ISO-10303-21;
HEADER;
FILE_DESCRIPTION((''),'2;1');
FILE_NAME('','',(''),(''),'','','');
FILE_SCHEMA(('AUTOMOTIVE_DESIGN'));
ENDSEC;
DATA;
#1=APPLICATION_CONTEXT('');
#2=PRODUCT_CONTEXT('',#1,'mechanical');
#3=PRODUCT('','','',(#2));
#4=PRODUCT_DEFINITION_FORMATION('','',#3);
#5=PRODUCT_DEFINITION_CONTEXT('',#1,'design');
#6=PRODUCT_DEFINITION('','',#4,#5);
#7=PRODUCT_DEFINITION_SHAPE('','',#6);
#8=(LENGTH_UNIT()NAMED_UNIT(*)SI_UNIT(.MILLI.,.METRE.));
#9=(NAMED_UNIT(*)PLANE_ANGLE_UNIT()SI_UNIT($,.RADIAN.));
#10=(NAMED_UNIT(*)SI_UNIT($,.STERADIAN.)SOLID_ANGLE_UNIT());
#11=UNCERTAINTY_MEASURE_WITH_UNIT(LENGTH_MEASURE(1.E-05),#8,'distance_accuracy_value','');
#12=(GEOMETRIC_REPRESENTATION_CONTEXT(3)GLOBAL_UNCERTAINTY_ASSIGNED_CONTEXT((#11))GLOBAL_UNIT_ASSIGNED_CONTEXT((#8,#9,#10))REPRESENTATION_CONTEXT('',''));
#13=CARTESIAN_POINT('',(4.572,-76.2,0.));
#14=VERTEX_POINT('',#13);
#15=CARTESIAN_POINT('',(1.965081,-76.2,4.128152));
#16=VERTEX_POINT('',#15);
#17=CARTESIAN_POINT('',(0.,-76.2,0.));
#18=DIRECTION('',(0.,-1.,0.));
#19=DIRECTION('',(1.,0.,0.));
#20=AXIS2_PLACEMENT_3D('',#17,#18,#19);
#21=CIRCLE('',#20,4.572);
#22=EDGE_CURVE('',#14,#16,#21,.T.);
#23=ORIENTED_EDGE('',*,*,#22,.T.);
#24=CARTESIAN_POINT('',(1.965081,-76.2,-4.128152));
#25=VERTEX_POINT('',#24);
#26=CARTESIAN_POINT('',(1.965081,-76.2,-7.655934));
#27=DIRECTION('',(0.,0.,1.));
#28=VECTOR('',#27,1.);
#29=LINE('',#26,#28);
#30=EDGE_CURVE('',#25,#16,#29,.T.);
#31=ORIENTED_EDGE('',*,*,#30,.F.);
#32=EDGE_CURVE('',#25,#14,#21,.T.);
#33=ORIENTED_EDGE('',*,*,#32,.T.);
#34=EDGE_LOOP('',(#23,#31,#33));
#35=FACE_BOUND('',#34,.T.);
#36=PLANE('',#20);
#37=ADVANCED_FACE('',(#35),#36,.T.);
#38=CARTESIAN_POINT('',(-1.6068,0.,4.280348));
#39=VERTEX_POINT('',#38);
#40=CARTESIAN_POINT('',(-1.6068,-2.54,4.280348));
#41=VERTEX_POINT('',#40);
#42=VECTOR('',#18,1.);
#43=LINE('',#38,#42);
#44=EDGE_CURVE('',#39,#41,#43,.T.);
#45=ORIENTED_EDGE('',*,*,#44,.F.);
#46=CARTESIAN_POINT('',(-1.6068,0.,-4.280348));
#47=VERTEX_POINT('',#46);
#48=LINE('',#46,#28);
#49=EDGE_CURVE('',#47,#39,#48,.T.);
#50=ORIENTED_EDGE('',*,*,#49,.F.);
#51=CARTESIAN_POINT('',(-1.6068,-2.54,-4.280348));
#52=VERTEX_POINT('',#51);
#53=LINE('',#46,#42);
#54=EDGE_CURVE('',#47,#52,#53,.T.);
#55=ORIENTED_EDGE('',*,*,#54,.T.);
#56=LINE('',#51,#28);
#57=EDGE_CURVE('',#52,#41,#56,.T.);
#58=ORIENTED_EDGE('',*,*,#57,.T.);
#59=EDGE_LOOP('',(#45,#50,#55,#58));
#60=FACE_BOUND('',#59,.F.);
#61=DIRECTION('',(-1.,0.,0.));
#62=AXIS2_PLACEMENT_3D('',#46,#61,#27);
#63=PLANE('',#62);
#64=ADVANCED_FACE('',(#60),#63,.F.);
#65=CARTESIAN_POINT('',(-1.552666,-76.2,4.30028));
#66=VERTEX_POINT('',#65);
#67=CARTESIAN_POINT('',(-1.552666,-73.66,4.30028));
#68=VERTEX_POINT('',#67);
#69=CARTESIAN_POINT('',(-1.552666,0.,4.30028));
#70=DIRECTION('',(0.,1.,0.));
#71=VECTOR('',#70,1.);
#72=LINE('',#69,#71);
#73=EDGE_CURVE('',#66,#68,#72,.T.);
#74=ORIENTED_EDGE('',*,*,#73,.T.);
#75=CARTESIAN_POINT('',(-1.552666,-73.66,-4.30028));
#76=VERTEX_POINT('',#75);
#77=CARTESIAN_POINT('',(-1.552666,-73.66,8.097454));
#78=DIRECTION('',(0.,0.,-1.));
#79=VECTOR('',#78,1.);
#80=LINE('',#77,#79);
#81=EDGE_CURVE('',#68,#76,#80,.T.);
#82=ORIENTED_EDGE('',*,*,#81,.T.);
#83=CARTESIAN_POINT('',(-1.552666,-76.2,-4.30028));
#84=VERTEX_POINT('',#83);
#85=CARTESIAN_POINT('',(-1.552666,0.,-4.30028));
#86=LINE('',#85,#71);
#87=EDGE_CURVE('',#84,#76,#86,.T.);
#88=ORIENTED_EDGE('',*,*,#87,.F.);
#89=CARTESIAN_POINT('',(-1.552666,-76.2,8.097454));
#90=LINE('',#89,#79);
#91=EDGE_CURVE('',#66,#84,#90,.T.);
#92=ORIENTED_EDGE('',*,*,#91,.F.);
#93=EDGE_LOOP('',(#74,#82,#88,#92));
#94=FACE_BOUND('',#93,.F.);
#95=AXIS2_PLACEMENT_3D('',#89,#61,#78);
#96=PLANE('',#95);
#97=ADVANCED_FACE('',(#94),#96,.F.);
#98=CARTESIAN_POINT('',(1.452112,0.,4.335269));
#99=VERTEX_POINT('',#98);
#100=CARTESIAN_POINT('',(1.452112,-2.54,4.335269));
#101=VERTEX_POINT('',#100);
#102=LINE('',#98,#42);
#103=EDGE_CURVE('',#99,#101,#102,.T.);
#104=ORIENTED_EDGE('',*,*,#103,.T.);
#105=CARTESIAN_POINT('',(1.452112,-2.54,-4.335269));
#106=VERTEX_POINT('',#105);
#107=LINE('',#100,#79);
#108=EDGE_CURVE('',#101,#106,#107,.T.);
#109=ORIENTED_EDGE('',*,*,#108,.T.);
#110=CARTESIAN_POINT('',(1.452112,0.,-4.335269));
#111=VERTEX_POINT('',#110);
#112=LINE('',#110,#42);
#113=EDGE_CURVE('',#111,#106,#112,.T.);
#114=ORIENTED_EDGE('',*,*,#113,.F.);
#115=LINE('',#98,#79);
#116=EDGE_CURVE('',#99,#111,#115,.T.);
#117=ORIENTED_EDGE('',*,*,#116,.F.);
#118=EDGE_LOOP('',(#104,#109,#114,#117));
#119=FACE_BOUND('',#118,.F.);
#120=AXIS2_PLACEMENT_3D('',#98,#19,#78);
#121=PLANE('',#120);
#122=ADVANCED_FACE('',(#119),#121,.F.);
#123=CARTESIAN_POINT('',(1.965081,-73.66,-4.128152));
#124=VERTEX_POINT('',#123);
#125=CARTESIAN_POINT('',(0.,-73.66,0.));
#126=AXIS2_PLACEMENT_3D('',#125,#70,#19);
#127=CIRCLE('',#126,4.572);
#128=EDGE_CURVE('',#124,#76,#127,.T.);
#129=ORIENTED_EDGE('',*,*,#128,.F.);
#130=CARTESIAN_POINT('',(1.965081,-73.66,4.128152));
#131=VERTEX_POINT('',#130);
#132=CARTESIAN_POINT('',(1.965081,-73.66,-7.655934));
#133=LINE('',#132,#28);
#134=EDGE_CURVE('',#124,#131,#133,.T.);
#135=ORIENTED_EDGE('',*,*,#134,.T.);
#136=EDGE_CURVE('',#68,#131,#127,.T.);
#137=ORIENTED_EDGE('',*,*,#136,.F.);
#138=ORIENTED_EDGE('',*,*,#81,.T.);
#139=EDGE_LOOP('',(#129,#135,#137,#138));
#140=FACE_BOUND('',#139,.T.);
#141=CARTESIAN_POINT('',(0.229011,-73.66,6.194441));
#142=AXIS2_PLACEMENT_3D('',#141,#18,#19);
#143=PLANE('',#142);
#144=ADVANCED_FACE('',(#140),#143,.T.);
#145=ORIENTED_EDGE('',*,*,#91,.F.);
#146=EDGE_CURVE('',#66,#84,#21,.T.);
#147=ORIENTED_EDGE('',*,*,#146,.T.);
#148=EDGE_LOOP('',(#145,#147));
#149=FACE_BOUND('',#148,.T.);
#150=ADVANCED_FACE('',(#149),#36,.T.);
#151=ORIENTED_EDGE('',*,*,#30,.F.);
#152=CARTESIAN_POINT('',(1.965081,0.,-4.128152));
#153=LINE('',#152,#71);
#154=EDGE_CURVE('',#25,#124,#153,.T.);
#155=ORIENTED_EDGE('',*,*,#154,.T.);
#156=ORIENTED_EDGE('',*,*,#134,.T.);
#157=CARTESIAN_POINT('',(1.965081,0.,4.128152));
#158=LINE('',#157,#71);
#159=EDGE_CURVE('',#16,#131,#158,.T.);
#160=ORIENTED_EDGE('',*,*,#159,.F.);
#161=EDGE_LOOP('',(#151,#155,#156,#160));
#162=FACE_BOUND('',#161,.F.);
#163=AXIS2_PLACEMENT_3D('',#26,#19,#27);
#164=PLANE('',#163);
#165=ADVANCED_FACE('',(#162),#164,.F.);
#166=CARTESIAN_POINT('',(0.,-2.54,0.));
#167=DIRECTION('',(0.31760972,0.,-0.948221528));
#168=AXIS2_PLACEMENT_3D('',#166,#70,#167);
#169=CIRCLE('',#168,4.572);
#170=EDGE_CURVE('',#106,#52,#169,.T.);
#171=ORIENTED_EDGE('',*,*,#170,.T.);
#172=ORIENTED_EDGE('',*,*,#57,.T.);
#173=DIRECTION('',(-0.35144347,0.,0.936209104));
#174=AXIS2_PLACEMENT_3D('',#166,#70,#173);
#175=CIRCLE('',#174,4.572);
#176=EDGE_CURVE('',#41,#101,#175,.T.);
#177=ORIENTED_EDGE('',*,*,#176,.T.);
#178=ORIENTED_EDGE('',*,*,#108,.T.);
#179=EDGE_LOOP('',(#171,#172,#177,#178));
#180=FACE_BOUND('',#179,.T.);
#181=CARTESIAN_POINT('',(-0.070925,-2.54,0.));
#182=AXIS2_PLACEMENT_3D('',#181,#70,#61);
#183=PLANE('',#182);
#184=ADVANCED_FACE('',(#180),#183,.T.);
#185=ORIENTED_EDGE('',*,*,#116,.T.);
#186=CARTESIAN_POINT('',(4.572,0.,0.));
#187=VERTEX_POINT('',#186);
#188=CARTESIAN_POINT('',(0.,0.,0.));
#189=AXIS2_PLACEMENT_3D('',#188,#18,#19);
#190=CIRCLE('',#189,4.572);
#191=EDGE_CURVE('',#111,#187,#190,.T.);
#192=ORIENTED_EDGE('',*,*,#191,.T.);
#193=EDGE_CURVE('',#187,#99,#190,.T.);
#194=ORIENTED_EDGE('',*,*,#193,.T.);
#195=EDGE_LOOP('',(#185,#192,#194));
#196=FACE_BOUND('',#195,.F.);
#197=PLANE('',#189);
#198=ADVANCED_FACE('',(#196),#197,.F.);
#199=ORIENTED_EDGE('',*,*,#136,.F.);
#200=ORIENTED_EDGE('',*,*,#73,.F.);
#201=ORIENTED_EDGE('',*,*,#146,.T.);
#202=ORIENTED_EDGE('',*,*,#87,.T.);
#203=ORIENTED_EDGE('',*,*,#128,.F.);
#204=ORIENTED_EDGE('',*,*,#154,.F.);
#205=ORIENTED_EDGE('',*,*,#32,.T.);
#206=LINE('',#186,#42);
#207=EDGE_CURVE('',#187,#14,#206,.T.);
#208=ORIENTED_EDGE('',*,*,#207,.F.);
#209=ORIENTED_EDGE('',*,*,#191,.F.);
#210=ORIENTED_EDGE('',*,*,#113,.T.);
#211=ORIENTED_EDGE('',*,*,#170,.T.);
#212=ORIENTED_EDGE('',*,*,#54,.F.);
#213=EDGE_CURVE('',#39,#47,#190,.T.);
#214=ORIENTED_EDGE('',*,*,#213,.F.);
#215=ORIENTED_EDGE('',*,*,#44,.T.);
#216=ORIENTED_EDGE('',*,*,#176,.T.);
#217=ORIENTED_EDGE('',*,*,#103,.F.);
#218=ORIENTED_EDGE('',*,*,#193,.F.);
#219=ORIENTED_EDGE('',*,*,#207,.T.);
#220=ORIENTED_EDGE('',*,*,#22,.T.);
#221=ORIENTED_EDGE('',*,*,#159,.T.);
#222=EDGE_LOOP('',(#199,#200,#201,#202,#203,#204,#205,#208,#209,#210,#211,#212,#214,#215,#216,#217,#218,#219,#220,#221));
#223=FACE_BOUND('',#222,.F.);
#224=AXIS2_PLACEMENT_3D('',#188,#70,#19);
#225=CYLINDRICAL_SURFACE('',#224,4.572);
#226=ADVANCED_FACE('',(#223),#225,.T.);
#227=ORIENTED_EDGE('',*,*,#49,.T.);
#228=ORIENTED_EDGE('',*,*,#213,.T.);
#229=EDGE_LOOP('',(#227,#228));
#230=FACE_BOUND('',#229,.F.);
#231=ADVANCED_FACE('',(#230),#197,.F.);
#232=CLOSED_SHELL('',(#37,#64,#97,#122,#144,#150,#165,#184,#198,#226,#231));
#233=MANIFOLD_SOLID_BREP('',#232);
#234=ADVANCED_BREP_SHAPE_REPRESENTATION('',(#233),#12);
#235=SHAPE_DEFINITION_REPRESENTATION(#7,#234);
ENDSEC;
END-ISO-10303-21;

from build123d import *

# Parameters (mm, degrees)
F0_R     = 4.572
F1_DEPTH = 76.2
F3_DEPTH = 2.54
F5_DEPTH = 2.54


with BuildPart() as f1:
    # F0 (on Front) → F1 (new body)
    with BuildSketch(Plane.XZ):
        Circle(F0_R)
    extrude(amount=F1_DEPTH)

    # F2 (on face) → F3 (cut)
    with BuildSketch(Plane.XZ.offset(76.2)):
        with BuildLine():
            Line((1.9650808536, 8.0974539742), (-1.5526660718, 8.0974539742))
            Line((-1.5526660718, 8.0974539742), (-1.5526660718, 4.300280464))
            ThreePointArc((-1.5526660718, 4.300280464), (0.2234468976, 4.5665364867), (1.9650808536, 4.128152279))
            Line((1.9650808536, 4.128152279), (1.9650808536, 8.0974539742))
        make_face()
        with BuildLine():
            ThreePointArc((1.9650808536, -4.128152279), (0.2234468976, -4.5665364867), (-1.5526660718, -4.300280464))
            Line((-1.5526660718, -4.300280464), (-1.5526660718, -7.655933965))
            Line((-1.5526660718, -7.655933965), (1.9650808536, -7.655933965))
            Line((1.9650808536, -7.655933965), (1.9650808536, -4.128152279))
        make_face()
        with BuildLine():
            ThreePointArc((1.9650808536, 4.128152279), (0.2234468976, 4.5665364867), (-1.5526660718, 4.300280464))
            Line((-1.5526660718, 4.300280464), (-1.5526660718, -4.300280464))
            ThreePointArc((-1.5526660718, -4.300280464), (0.2234468976, -4.5665364867), (1.9650808536, -4.128152279))
            Line((1.9650808536, -4.128152279), (1.9650808536, 4.128152279))
        make_face()
    extrude(amount=-F3_DEPTH, mode=Mode.SUBTRACT)

    # F4 (on face) → F5 (cut)
    with BuildSketch(Plane(origin=(0, 0, 0), x_dir=(-1, 0, 0), z_dir=(0, 1, 0))):
        with BuildLine():
            ThreePointArc((1.6067995457, 4.2803480256), (0.082074117, 4.5712632652), (-1.4521116391, 4.3352688253))
            Line((-1.4521116391, 4.3352688253), (-1.4521116391, -4.3352688253))
            ThreePointArc((-1.4521116391, -4.3352688253), (0.082074117, -4.5712632652), (1.6067995457, -4.2803480256))
            Line((1.6067995457, -4.2803480256), (1.6067995457, 4.2803480256))
        make_face()
    extrude(amount=-F5_DEPTH, mode=Mode.SUBTRACT)


solid = f1.part
